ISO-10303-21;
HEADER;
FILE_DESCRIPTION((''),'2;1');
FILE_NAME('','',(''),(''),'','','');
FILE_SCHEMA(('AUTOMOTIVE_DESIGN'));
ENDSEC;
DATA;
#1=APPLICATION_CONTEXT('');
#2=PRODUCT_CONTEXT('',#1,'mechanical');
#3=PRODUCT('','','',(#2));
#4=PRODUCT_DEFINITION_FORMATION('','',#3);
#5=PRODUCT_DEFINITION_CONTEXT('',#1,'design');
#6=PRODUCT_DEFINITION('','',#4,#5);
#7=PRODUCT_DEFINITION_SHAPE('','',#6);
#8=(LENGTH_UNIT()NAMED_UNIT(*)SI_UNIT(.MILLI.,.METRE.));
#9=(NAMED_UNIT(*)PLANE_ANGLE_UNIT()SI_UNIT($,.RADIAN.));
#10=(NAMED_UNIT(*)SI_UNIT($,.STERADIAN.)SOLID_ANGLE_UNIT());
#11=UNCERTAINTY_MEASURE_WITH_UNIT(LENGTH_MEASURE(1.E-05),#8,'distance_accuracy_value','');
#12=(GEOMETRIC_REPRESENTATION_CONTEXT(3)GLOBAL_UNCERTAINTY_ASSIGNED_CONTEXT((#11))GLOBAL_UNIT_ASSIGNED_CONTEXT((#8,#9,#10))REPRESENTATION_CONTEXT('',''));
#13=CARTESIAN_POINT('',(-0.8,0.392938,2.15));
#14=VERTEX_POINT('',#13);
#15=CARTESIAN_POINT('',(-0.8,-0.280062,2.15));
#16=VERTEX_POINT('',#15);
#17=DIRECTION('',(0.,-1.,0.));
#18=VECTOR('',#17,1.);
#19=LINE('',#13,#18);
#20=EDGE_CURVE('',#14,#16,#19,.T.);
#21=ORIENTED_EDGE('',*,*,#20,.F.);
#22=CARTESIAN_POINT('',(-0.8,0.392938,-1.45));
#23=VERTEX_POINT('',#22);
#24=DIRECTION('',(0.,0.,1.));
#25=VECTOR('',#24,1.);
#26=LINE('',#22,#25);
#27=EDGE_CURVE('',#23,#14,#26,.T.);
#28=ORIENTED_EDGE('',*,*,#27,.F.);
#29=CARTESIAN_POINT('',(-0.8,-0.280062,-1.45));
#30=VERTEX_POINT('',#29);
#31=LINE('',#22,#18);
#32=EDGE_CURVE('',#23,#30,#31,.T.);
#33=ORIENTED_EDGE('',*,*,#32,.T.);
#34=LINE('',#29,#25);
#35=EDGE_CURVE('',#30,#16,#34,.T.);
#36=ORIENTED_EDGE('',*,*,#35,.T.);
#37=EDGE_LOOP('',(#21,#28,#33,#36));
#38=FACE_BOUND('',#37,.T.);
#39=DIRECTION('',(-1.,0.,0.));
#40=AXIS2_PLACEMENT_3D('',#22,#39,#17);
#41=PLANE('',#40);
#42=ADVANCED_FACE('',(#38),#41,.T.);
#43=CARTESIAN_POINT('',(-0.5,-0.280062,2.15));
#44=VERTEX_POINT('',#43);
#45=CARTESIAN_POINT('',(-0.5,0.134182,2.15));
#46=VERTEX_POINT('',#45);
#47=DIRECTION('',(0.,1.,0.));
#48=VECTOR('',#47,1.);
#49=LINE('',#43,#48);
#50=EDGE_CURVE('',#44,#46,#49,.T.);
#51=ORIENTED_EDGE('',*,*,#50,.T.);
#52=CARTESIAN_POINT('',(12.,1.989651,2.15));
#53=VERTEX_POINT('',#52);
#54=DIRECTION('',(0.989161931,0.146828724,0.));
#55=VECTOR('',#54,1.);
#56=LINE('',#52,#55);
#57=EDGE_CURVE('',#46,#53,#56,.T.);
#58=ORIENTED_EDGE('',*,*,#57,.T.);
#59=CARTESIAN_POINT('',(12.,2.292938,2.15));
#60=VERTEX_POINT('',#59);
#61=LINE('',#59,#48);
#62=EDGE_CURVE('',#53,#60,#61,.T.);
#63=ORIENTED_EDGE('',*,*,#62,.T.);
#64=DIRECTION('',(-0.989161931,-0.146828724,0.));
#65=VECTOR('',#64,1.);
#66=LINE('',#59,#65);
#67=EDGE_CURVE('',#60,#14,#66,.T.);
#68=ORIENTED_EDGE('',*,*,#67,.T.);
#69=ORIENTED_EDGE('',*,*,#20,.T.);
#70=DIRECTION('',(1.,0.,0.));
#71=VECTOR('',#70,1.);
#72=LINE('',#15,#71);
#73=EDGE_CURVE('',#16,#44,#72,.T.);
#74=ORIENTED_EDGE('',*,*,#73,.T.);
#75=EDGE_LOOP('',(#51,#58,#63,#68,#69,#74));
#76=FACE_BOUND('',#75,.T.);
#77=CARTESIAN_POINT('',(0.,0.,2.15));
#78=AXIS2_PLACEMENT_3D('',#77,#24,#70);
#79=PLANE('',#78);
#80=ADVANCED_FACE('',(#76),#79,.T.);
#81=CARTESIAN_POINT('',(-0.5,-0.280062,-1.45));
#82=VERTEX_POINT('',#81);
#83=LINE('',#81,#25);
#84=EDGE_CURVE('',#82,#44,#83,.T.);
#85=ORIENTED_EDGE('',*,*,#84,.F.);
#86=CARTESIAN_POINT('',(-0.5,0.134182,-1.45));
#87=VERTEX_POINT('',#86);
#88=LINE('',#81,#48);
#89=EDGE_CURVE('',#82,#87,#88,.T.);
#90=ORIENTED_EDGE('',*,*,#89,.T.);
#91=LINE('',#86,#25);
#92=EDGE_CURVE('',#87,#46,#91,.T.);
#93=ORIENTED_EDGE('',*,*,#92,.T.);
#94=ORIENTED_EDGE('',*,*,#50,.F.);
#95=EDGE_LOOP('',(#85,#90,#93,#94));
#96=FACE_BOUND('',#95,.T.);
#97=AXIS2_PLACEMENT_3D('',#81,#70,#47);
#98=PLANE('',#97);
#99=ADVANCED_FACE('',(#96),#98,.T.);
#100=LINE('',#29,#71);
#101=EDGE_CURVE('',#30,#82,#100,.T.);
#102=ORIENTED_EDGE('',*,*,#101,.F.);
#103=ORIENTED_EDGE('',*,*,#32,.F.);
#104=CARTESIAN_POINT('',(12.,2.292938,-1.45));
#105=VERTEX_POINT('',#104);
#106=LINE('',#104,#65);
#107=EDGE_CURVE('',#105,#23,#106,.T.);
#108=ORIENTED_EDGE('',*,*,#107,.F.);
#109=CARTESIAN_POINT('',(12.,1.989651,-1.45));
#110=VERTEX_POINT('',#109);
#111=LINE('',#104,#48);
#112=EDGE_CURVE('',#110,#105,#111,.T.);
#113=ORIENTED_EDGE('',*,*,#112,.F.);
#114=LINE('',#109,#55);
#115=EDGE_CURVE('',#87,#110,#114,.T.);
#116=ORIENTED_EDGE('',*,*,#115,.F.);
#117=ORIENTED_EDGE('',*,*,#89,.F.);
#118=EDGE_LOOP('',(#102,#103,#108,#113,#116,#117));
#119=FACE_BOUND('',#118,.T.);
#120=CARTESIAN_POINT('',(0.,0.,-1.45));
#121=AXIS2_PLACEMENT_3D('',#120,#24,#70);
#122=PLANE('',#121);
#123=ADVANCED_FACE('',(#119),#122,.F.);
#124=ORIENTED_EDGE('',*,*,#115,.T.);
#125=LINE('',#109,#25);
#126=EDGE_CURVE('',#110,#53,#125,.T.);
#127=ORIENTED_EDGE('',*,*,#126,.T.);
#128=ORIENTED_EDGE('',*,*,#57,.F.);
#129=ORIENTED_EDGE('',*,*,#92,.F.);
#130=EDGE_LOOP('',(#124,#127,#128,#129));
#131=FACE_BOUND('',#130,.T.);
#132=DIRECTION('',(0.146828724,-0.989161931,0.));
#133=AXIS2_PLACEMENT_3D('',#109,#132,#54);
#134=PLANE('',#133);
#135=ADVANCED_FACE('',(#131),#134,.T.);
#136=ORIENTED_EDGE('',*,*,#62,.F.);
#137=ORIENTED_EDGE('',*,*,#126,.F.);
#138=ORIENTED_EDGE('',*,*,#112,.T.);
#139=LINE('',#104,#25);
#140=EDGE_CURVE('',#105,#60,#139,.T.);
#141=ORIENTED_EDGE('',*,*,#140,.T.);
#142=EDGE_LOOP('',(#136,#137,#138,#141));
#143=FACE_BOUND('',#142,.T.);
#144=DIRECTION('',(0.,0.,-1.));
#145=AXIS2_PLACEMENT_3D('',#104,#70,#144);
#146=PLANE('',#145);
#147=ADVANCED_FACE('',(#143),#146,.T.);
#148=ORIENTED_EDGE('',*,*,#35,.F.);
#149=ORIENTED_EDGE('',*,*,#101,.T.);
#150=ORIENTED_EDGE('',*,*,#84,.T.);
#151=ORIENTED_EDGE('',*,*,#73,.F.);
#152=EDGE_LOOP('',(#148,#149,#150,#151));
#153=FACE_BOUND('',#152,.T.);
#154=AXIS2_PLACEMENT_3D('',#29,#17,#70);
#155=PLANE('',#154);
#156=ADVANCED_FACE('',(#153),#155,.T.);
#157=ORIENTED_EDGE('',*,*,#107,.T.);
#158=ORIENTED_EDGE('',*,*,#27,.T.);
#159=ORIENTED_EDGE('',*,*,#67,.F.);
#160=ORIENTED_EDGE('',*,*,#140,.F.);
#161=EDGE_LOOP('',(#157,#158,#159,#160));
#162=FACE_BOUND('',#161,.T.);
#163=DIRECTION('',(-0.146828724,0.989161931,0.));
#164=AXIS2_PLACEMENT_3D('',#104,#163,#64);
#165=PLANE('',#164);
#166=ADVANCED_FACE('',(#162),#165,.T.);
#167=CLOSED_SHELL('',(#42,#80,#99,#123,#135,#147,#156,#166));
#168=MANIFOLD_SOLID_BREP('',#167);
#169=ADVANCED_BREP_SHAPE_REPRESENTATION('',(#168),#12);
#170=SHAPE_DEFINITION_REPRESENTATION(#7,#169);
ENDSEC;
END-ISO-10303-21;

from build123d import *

# Parameters (mm, degrees)
BOSS_EXTRUDE1_DEPTH = 3.6


with BuildPart() as part:
    # Sketch1 → Boss-Extrude1 (new body)
    with BuildSketch(Plane.XY.offset(2.15)):
        Polygon((-0.8, 0.392938217), (-0.8, -0.280061783), (-0.5, -0.280061783), (-0.5, 0.134182422), (12, 1.989651172), (12, 2.292938217), align=None)
    extrude(amount=-BOSS_EXTRUDE1_DEPTH)


solid = part.part
